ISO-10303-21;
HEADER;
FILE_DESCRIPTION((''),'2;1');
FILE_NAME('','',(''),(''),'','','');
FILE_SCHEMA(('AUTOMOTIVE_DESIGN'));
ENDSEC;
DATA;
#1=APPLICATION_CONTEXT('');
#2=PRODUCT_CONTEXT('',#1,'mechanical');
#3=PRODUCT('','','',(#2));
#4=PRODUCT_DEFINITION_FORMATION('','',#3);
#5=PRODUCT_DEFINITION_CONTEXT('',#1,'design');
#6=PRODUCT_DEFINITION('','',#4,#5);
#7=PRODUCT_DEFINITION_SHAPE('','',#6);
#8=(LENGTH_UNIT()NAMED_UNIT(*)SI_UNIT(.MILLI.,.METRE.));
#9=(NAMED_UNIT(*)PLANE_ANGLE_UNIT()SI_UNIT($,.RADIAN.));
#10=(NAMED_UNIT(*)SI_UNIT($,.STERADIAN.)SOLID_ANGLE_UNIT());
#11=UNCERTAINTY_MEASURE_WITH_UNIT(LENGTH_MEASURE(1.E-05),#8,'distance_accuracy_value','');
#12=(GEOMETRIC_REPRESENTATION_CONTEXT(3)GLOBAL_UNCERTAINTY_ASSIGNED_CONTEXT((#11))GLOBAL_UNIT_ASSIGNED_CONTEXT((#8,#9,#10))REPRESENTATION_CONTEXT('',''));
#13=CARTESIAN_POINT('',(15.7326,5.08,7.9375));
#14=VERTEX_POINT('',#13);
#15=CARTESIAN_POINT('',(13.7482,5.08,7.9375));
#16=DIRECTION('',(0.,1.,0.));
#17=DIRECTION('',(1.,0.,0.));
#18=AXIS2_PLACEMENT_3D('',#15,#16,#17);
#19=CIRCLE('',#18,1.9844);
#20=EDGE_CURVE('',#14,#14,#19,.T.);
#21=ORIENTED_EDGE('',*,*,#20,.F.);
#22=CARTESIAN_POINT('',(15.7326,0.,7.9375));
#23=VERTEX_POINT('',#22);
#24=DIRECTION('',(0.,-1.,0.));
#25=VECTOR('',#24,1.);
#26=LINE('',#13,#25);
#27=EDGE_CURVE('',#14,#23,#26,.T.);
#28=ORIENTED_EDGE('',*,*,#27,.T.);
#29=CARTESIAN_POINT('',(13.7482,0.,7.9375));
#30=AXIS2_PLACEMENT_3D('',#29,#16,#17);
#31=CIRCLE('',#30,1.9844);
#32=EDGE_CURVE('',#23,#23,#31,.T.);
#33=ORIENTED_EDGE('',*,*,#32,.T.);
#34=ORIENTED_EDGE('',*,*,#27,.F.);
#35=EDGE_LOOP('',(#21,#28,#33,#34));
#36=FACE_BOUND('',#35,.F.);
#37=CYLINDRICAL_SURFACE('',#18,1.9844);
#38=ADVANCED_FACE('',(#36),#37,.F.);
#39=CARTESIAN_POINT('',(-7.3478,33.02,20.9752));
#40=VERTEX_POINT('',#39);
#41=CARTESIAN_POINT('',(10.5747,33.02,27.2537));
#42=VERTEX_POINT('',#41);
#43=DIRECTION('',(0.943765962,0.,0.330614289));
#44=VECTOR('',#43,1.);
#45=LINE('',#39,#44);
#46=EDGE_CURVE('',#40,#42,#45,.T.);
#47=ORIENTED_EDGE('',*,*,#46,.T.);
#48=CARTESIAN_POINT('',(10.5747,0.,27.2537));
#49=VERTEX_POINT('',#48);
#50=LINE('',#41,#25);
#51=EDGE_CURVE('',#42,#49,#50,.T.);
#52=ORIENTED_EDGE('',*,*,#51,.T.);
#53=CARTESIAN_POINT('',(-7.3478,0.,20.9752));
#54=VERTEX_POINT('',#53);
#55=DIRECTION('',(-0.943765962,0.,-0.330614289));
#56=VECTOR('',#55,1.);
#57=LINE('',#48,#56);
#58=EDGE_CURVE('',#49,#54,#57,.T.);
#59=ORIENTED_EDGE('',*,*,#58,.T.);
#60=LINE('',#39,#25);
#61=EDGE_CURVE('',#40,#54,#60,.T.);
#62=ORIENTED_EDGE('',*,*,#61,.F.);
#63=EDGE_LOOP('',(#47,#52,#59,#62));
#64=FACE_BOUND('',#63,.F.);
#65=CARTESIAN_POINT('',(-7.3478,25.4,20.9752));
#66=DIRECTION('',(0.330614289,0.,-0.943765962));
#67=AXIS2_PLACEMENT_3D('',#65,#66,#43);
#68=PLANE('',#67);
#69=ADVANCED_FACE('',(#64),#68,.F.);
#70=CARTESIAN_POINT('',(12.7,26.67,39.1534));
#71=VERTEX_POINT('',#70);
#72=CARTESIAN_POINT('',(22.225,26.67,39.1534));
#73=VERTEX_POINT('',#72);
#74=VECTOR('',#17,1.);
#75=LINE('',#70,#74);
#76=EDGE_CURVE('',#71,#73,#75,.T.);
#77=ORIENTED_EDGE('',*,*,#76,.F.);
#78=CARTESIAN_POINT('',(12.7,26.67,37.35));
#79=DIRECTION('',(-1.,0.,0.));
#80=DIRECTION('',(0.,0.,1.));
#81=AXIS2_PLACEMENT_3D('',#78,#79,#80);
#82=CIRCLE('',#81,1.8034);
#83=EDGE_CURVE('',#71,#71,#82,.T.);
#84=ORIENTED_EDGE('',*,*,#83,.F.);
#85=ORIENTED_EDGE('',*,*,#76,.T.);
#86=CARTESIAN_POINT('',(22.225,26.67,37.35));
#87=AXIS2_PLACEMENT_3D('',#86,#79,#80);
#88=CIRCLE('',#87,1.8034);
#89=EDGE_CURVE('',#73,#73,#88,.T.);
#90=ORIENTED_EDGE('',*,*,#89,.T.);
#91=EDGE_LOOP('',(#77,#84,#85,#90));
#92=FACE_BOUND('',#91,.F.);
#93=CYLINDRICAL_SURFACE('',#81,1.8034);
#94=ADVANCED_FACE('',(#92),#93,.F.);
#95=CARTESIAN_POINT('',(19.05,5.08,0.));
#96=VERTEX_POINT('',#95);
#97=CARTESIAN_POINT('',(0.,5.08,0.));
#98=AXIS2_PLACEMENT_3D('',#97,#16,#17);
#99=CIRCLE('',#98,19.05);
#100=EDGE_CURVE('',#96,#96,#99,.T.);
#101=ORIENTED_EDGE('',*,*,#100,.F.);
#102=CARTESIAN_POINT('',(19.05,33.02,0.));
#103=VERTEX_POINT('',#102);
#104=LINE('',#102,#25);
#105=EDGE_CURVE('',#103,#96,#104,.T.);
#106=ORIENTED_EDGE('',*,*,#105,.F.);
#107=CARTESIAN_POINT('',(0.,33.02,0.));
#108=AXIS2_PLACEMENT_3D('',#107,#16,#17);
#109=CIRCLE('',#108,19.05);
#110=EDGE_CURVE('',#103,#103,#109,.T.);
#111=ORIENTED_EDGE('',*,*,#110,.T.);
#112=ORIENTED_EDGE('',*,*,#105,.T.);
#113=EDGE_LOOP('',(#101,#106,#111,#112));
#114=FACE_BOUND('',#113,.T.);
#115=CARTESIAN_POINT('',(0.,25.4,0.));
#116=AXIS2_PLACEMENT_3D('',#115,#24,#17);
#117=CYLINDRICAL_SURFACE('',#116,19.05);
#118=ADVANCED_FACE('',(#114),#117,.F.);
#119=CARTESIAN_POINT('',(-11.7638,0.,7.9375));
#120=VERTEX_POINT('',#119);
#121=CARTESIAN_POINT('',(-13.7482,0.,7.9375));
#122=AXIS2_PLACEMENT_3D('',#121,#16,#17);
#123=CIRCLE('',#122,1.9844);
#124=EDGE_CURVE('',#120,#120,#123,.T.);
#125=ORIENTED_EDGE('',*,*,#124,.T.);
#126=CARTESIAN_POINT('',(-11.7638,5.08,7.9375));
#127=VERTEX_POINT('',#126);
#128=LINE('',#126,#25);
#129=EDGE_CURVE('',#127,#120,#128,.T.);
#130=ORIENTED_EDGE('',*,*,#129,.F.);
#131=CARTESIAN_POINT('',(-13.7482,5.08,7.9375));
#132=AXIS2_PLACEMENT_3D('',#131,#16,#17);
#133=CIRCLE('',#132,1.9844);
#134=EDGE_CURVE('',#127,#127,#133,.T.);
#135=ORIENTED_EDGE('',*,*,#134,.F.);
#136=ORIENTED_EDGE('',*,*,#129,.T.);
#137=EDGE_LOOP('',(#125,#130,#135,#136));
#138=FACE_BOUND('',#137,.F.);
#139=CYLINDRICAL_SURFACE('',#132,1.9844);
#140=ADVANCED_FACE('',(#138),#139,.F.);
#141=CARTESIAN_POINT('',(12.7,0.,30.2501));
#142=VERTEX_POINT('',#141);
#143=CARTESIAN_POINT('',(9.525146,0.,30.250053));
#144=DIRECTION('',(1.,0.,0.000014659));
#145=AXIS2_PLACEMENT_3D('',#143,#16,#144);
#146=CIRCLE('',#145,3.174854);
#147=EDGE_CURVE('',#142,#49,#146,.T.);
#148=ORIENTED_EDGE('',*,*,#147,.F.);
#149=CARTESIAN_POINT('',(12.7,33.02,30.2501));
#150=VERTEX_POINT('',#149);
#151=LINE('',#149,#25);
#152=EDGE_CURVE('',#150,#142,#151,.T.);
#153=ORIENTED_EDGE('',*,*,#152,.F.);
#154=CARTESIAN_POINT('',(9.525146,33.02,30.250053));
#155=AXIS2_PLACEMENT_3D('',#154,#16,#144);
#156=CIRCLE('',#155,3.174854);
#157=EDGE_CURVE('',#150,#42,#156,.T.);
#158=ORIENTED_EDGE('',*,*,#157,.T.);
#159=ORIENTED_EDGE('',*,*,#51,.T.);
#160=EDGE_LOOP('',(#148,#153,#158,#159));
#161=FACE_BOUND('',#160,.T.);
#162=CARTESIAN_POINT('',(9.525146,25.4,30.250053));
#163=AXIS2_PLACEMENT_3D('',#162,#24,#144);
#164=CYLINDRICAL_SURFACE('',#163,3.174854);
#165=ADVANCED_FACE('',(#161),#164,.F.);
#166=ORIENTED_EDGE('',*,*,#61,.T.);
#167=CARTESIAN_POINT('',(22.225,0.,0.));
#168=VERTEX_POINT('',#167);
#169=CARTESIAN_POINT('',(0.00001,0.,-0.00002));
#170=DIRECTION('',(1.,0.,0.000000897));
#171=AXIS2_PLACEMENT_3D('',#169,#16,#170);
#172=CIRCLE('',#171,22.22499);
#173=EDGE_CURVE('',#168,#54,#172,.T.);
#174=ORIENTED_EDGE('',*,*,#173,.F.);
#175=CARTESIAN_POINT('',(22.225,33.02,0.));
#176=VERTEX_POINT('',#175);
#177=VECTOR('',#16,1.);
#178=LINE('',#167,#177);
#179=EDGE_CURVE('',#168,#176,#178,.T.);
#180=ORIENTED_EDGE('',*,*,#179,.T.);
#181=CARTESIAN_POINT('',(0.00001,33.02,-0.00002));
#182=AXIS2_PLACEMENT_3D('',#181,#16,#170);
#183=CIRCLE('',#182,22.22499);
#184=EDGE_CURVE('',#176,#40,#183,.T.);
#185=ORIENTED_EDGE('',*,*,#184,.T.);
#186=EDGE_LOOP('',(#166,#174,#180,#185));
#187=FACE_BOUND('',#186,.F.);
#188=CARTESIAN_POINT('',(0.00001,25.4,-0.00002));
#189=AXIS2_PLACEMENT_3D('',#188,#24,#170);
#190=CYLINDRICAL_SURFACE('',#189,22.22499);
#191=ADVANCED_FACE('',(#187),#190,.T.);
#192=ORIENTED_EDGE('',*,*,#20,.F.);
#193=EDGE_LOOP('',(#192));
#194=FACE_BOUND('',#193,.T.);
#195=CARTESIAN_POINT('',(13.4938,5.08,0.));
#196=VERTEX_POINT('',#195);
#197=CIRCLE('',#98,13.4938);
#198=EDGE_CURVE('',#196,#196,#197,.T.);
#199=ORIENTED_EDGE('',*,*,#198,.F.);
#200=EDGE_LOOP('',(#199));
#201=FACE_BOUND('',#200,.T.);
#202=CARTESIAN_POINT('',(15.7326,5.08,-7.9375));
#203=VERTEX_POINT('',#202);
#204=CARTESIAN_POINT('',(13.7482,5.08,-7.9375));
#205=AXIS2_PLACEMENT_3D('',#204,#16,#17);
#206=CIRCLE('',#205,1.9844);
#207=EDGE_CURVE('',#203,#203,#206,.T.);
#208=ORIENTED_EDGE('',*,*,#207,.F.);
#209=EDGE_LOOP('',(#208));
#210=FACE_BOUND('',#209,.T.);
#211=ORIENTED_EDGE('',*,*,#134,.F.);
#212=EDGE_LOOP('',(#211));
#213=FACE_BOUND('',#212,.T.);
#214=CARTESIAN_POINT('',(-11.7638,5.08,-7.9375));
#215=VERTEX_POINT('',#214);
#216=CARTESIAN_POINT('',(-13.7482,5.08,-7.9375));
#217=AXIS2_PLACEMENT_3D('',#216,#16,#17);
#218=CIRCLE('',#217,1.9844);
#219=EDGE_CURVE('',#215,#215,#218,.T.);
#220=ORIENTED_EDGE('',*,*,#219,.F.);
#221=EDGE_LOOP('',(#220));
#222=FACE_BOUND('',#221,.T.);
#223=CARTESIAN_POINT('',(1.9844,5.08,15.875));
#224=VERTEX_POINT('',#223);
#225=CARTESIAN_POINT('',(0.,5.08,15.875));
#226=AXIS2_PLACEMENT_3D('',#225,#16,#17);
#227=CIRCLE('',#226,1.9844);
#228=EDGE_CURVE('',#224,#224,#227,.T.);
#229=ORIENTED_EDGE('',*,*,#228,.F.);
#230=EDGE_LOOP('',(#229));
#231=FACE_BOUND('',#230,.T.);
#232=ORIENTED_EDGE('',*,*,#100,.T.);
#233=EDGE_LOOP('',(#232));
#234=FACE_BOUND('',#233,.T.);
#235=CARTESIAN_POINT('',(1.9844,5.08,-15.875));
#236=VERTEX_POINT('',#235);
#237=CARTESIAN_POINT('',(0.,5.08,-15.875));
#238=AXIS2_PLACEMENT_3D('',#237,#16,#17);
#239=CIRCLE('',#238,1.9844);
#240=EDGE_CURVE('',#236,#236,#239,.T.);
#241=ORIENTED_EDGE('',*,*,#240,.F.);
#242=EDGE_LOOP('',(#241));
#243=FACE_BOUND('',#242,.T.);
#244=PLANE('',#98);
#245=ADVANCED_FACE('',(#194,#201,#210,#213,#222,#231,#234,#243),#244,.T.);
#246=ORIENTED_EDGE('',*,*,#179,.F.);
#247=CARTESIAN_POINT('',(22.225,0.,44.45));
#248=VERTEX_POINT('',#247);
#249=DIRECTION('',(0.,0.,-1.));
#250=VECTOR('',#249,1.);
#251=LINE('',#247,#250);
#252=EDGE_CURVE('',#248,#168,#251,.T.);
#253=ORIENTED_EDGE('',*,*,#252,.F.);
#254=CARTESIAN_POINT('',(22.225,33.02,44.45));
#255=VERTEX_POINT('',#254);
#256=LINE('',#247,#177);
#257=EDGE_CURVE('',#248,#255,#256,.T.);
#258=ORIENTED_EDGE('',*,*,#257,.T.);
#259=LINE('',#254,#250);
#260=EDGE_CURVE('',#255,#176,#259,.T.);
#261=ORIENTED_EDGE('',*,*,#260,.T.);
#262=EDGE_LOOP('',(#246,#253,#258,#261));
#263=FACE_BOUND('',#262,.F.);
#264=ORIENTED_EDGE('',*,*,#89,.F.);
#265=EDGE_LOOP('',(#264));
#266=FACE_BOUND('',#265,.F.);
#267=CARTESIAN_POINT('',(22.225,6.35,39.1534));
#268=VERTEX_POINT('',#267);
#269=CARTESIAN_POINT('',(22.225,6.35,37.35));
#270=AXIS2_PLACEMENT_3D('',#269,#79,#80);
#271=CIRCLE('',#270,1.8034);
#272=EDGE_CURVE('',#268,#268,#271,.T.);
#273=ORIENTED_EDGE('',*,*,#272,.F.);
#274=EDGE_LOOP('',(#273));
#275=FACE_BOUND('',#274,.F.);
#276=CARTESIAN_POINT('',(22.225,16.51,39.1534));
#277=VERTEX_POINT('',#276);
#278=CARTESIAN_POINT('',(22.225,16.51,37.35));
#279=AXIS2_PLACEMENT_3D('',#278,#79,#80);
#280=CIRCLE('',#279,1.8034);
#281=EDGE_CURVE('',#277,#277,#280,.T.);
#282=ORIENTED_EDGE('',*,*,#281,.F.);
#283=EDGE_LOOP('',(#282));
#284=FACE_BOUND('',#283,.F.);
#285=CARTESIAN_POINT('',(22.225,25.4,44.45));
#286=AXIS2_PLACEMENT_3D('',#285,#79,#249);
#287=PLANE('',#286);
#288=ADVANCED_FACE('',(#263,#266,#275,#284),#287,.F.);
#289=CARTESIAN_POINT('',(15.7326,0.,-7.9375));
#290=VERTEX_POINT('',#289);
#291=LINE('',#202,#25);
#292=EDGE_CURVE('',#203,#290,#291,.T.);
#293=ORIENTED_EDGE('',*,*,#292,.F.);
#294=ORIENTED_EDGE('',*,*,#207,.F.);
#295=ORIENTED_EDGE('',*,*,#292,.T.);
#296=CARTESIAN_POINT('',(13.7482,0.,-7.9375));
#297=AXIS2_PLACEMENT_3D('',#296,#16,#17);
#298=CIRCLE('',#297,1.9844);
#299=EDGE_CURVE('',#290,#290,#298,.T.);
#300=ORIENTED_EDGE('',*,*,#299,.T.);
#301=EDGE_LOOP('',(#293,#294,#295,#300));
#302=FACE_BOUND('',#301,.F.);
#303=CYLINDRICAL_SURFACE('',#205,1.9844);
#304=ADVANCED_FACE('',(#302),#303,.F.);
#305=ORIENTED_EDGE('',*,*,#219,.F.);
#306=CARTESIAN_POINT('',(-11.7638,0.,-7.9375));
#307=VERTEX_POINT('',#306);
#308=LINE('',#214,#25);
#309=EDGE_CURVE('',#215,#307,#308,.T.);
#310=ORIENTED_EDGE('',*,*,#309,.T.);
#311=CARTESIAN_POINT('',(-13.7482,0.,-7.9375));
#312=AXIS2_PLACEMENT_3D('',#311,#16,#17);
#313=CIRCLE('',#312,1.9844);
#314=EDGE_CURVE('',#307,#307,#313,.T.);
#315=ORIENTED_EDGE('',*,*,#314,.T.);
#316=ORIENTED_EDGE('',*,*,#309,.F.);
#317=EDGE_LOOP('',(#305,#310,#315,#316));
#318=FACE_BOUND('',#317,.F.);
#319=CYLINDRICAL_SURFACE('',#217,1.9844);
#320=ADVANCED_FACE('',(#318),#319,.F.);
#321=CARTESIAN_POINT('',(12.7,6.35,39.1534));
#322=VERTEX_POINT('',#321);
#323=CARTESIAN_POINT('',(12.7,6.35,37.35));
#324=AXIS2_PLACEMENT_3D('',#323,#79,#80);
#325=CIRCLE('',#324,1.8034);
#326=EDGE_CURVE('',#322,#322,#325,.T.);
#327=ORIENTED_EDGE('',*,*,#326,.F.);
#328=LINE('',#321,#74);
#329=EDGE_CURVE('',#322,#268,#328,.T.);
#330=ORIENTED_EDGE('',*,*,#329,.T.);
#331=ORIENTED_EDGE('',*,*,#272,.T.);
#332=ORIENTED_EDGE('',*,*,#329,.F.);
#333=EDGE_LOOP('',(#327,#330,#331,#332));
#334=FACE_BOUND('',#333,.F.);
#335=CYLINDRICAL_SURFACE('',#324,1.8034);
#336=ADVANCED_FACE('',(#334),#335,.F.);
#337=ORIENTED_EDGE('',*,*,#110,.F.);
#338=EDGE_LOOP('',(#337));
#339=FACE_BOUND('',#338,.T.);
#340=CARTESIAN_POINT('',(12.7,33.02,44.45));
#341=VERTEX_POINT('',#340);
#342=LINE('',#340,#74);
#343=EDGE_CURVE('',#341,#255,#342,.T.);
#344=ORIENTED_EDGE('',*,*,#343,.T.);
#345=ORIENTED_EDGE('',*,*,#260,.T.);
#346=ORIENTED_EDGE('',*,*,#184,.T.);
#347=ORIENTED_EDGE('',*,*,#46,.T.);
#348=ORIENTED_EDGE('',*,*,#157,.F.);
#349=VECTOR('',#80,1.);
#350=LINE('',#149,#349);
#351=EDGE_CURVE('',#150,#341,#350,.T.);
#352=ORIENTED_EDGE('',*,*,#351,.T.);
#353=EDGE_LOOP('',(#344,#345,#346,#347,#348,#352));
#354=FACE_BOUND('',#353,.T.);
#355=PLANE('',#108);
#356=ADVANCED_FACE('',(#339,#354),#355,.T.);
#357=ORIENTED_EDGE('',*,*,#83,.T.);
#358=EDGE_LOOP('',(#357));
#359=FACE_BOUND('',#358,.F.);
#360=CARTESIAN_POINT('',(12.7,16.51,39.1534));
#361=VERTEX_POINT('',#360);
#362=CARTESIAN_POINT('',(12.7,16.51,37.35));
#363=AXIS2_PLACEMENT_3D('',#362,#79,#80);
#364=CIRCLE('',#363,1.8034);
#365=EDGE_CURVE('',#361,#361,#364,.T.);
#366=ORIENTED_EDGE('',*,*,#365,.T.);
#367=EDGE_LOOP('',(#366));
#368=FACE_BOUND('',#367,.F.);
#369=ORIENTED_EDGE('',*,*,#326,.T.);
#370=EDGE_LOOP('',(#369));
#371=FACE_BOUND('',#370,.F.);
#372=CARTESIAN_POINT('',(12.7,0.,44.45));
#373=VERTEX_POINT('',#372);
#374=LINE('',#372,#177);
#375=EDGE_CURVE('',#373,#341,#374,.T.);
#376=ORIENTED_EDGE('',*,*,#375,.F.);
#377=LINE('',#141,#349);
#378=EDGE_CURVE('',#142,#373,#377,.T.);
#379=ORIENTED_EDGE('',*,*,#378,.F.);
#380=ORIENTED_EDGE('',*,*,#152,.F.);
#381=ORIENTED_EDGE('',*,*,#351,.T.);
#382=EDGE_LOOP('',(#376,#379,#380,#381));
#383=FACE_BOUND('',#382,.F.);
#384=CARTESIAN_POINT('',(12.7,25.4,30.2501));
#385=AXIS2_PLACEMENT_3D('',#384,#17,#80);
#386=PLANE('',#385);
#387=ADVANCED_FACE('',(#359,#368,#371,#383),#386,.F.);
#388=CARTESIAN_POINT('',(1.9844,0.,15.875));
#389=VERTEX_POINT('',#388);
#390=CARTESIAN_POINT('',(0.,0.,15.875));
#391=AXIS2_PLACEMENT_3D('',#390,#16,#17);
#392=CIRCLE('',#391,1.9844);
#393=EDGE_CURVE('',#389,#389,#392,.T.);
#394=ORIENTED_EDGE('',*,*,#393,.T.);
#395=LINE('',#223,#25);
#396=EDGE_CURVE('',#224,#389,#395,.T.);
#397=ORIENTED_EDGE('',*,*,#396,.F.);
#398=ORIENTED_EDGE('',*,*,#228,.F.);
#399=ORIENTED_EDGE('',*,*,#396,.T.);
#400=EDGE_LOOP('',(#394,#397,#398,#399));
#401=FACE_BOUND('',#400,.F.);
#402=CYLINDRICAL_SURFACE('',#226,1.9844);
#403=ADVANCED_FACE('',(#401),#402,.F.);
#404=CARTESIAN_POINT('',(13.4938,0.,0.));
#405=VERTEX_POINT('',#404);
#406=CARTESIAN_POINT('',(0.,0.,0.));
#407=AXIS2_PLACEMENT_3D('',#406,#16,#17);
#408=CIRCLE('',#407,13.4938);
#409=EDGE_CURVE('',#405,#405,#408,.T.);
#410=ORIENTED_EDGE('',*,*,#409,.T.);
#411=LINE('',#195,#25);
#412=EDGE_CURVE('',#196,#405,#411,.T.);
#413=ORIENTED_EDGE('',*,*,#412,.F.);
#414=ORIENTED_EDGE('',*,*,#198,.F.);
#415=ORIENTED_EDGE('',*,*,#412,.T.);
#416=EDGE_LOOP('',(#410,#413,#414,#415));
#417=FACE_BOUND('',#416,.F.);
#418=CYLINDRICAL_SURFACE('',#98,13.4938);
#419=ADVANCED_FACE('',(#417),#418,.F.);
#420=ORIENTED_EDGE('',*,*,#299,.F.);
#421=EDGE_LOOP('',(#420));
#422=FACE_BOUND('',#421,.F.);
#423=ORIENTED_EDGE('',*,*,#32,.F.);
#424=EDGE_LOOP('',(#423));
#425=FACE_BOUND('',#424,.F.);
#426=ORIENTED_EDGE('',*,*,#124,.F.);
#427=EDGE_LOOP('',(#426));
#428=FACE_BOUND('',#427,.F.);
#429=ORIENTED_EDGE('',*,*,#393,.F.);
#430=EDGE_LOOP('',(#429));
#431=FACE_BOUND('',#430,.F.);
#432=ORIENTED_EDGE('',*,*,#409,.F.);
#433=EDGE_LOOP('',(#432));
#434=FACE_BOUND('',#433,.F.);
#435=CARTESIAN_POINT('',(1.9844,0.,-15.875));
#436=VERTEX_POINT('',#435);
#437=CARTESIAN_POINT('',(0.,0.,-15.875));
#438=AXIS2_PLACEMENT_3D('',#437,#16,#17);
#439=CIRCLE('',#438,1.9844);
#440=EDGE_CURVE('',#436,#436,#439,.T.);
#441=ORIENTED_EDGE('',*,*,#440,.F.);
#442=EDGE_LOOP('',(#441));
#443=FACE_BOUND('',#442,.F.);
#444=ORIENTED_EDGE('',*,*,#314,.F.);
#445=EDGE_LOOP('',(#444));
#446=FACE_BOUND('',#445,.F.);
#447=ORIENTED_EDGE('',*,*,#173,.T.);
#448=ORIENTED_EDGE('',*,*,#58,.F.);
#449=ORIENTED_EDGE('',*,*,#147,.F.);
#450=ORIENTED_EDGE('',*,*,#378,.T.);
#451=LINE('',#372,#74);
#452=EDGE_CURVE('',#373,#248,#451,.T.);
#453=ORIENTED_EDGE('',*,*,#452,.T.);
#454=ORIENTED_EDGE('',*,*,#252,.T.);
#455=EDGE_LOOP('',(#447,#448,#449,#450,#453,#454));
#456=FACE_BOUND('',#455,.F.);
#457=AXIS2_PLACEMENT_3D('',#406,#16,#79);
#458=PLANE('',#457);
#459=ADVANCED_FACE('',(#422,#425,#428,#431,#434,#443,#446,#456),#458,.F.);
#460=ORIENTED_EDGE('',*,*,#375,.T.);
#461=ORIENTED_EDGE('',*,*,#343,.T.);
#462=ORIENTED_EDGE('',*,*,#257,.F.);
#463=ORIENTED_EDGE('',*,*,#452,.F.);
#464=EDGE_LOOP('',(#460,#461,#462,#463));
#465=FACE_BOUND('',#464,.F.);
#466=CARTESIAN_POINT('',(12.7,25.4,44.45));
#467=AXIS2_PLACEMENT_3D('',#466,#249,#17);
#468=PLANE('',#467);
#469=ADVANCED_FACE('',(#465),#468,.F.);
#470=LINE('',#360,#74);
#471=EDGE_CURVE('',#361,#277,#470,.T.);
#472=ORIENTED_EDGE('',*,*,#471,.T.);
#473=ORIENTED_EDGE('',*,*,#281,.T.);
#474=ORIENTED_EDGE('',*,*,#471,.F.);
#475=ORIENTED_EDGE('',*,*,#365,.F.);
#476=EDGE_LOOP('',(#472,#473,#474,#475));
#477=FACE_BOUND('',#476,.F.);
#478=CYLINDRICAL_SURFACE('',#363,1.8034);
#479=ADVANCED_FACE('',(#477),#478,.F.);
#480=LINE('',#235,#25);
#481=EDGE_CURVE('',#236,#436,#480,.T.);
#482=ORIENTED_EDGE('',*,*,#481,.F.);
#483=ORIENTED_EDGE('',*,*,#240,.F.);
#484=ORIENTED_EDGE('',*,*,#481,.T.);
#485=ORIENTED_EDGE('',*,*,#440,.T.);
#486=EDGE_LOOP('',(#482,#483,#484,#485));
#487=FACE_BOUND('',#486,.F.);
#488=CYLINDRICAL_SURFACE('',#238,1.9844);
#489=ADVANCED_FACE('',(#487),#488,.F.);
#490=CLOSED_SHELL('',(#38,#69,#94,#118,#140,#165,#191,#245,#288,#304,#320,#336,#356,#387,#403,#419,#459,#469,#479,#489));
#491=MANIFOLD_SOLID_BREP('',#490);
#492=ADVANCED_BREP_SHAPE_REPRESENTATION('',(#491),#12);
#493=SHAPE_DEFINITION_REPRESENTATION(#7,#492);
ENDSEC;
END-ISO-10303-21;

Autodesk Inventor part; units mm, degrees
ref_plane "YZ Plane" through (0, 0, 0) normal (1, 0, 0) x (0, 1, 0)
ref_plane "XZ Plane" through (0, 0, 0) normal (0, 1, 0) x (-1, 0, 0)
ref_plane "XY Plane" through (0, 0, 0) normal (0, 0, 1) x (1, 0, 0)
sketch "Sketch1" plane through (0, 0, 0) normal (0, 1, 0) x (-1, 0, 0)
  arc A0 (-22.225, 0) -> (7.3478, 20.9752) centre (0, 0) ccw
  line L0 (-22.225, 0) -> (-12.7, 0)
  line L1 (-12.7, 44.45) -> (-22.225, 44.45)
  line L2 (-22.225, 44.45) -> (-22.225, 0)
  line L3 (39.7917, 0) -> (-48.1139, 0) construction
  line L4 (-10.5747, 27.2537) -> (7.3478, 20.9752)
  line L5 (-12.7, 30.2501) -> (-12.7, 44.45)
  arc A1 (-12.7, 30.2501) -> (-10.5747, 27.2537) centre (-9.525, 30.2501) ccw
  dimension "d0" = 44.45
  dimension "d3" = 9.525
  dimension "d4" = 44.45
  dimension "d5" = 3.175
extrude "Extrusion1" add sketch "Sketch1" along normal blind 25.4
sketch "Sketch2" plane through (0, 25.4, 0) normal (0, 1, 0) x (1, 0, 0)
  circle A0 centre (0, 0) radius 19.05
  dimension "d8" = 38.1
extrude "Extrusion2" cut sketch "Sketch2" against normal blind 20.32
sketch "Sketch3" plane through (0, 5.08, 0) normal (0, 1, 0) x (1, 0, 0)
  circle A0 centre (0, 15.875) radius 1.9844
  circle A1 centre (0, 0) radius 19.05 projected
  circle A2 centre (-13.7482, 7.9375) radius 1.9844
  circle A3 centre (-13.7482, -7.9375) radius 1.9844
  circle A4 centre (0, -15.875) radius 1.9844
  circle A5 centre (13.7482, -7.9375) radius 1.9844
  circle A6 centre (13.7482, 7.9375) radius 1.9844
  circle A7 centre (0, 0) radius 13.4938
  point P0 (0, 0)
  point P1 (0, 19.05)
  dimension "d11" = 3.9688
  dimension "d12" = 3.175
  dimension "d15" = 360
  dimension "d17" = 5.5563
extrude "Extrusion3" cut sketch "Sketch3" against normal up to next contours A0 | A2 | A3 | A4 | A5 | A6 | A7
sketch "Sketch5" plane through (0, 25.4, 0) normal (0, 1, 0) x (1, 0, 0)
  circle A0 centre (0, 0) radius 19.05 projected
  line L0 (12.7, -44.45) -> (22.225, -44.45) projected
  line L1 (22.225, -44.45) -> (22.225, 0) projected
  arc A1 (22.225, 0) -> (-7.3478, -20.9752) centre (0, 0) ccw projected
  line L2 (-7.3478, -20.9752) -> (10.5747, -27.2537) projected
  arc A2 (12.7, -30.2501) -> (10.5747, -27.2537) centre (9.525, -30.2501) ccw projected
  line L3 (12.7, -30.2501) -> (12.7, -44.45) projected
extrude "Extrusion5" add sketch "Sketch5" along normal blind 7.62
sketch "Sketch4" plane through (12.7, 0, 30.2501) normal (-1, 0, 0) x (0, 0, 1)
  circle A0 centre (7.0999, 26.67) radius 1.8034
  line L0 (0, 0) -> (0, 25.4) construction
  line L1 (0, 24.4432) -> (14.1999, 24.4432) construction
  line L2 (14.1999, 24.4432) -> (7.0999, 24.4432) construction
  line L3 (7.0999, 24.4432) -> (7.0999, 0) construction
  line L4 (14.1999, 0) -> (-30.2501, 0) construction
  circle A1 centre (7.0999, 16.51) radius 1.8034
  circle A2 centre (7.0999, 6.35) radius 1.8034
  line L5 (14.1999, 0) -> (14.1999, 33.02) projected
  line L6 (14.1999, 16.51) -> (0, 16.51) construction
  dimension "d20" = 3.6068
  dimension "d21" = 3.6068
  dimension "d22" = 3.6068
  dimension "d23" = 10.16
  dimension "d24" = 10.16
extrude "Extrusion4" cut sketch "Sketch4" against normal up to next
properties part number "MotorMountA"
